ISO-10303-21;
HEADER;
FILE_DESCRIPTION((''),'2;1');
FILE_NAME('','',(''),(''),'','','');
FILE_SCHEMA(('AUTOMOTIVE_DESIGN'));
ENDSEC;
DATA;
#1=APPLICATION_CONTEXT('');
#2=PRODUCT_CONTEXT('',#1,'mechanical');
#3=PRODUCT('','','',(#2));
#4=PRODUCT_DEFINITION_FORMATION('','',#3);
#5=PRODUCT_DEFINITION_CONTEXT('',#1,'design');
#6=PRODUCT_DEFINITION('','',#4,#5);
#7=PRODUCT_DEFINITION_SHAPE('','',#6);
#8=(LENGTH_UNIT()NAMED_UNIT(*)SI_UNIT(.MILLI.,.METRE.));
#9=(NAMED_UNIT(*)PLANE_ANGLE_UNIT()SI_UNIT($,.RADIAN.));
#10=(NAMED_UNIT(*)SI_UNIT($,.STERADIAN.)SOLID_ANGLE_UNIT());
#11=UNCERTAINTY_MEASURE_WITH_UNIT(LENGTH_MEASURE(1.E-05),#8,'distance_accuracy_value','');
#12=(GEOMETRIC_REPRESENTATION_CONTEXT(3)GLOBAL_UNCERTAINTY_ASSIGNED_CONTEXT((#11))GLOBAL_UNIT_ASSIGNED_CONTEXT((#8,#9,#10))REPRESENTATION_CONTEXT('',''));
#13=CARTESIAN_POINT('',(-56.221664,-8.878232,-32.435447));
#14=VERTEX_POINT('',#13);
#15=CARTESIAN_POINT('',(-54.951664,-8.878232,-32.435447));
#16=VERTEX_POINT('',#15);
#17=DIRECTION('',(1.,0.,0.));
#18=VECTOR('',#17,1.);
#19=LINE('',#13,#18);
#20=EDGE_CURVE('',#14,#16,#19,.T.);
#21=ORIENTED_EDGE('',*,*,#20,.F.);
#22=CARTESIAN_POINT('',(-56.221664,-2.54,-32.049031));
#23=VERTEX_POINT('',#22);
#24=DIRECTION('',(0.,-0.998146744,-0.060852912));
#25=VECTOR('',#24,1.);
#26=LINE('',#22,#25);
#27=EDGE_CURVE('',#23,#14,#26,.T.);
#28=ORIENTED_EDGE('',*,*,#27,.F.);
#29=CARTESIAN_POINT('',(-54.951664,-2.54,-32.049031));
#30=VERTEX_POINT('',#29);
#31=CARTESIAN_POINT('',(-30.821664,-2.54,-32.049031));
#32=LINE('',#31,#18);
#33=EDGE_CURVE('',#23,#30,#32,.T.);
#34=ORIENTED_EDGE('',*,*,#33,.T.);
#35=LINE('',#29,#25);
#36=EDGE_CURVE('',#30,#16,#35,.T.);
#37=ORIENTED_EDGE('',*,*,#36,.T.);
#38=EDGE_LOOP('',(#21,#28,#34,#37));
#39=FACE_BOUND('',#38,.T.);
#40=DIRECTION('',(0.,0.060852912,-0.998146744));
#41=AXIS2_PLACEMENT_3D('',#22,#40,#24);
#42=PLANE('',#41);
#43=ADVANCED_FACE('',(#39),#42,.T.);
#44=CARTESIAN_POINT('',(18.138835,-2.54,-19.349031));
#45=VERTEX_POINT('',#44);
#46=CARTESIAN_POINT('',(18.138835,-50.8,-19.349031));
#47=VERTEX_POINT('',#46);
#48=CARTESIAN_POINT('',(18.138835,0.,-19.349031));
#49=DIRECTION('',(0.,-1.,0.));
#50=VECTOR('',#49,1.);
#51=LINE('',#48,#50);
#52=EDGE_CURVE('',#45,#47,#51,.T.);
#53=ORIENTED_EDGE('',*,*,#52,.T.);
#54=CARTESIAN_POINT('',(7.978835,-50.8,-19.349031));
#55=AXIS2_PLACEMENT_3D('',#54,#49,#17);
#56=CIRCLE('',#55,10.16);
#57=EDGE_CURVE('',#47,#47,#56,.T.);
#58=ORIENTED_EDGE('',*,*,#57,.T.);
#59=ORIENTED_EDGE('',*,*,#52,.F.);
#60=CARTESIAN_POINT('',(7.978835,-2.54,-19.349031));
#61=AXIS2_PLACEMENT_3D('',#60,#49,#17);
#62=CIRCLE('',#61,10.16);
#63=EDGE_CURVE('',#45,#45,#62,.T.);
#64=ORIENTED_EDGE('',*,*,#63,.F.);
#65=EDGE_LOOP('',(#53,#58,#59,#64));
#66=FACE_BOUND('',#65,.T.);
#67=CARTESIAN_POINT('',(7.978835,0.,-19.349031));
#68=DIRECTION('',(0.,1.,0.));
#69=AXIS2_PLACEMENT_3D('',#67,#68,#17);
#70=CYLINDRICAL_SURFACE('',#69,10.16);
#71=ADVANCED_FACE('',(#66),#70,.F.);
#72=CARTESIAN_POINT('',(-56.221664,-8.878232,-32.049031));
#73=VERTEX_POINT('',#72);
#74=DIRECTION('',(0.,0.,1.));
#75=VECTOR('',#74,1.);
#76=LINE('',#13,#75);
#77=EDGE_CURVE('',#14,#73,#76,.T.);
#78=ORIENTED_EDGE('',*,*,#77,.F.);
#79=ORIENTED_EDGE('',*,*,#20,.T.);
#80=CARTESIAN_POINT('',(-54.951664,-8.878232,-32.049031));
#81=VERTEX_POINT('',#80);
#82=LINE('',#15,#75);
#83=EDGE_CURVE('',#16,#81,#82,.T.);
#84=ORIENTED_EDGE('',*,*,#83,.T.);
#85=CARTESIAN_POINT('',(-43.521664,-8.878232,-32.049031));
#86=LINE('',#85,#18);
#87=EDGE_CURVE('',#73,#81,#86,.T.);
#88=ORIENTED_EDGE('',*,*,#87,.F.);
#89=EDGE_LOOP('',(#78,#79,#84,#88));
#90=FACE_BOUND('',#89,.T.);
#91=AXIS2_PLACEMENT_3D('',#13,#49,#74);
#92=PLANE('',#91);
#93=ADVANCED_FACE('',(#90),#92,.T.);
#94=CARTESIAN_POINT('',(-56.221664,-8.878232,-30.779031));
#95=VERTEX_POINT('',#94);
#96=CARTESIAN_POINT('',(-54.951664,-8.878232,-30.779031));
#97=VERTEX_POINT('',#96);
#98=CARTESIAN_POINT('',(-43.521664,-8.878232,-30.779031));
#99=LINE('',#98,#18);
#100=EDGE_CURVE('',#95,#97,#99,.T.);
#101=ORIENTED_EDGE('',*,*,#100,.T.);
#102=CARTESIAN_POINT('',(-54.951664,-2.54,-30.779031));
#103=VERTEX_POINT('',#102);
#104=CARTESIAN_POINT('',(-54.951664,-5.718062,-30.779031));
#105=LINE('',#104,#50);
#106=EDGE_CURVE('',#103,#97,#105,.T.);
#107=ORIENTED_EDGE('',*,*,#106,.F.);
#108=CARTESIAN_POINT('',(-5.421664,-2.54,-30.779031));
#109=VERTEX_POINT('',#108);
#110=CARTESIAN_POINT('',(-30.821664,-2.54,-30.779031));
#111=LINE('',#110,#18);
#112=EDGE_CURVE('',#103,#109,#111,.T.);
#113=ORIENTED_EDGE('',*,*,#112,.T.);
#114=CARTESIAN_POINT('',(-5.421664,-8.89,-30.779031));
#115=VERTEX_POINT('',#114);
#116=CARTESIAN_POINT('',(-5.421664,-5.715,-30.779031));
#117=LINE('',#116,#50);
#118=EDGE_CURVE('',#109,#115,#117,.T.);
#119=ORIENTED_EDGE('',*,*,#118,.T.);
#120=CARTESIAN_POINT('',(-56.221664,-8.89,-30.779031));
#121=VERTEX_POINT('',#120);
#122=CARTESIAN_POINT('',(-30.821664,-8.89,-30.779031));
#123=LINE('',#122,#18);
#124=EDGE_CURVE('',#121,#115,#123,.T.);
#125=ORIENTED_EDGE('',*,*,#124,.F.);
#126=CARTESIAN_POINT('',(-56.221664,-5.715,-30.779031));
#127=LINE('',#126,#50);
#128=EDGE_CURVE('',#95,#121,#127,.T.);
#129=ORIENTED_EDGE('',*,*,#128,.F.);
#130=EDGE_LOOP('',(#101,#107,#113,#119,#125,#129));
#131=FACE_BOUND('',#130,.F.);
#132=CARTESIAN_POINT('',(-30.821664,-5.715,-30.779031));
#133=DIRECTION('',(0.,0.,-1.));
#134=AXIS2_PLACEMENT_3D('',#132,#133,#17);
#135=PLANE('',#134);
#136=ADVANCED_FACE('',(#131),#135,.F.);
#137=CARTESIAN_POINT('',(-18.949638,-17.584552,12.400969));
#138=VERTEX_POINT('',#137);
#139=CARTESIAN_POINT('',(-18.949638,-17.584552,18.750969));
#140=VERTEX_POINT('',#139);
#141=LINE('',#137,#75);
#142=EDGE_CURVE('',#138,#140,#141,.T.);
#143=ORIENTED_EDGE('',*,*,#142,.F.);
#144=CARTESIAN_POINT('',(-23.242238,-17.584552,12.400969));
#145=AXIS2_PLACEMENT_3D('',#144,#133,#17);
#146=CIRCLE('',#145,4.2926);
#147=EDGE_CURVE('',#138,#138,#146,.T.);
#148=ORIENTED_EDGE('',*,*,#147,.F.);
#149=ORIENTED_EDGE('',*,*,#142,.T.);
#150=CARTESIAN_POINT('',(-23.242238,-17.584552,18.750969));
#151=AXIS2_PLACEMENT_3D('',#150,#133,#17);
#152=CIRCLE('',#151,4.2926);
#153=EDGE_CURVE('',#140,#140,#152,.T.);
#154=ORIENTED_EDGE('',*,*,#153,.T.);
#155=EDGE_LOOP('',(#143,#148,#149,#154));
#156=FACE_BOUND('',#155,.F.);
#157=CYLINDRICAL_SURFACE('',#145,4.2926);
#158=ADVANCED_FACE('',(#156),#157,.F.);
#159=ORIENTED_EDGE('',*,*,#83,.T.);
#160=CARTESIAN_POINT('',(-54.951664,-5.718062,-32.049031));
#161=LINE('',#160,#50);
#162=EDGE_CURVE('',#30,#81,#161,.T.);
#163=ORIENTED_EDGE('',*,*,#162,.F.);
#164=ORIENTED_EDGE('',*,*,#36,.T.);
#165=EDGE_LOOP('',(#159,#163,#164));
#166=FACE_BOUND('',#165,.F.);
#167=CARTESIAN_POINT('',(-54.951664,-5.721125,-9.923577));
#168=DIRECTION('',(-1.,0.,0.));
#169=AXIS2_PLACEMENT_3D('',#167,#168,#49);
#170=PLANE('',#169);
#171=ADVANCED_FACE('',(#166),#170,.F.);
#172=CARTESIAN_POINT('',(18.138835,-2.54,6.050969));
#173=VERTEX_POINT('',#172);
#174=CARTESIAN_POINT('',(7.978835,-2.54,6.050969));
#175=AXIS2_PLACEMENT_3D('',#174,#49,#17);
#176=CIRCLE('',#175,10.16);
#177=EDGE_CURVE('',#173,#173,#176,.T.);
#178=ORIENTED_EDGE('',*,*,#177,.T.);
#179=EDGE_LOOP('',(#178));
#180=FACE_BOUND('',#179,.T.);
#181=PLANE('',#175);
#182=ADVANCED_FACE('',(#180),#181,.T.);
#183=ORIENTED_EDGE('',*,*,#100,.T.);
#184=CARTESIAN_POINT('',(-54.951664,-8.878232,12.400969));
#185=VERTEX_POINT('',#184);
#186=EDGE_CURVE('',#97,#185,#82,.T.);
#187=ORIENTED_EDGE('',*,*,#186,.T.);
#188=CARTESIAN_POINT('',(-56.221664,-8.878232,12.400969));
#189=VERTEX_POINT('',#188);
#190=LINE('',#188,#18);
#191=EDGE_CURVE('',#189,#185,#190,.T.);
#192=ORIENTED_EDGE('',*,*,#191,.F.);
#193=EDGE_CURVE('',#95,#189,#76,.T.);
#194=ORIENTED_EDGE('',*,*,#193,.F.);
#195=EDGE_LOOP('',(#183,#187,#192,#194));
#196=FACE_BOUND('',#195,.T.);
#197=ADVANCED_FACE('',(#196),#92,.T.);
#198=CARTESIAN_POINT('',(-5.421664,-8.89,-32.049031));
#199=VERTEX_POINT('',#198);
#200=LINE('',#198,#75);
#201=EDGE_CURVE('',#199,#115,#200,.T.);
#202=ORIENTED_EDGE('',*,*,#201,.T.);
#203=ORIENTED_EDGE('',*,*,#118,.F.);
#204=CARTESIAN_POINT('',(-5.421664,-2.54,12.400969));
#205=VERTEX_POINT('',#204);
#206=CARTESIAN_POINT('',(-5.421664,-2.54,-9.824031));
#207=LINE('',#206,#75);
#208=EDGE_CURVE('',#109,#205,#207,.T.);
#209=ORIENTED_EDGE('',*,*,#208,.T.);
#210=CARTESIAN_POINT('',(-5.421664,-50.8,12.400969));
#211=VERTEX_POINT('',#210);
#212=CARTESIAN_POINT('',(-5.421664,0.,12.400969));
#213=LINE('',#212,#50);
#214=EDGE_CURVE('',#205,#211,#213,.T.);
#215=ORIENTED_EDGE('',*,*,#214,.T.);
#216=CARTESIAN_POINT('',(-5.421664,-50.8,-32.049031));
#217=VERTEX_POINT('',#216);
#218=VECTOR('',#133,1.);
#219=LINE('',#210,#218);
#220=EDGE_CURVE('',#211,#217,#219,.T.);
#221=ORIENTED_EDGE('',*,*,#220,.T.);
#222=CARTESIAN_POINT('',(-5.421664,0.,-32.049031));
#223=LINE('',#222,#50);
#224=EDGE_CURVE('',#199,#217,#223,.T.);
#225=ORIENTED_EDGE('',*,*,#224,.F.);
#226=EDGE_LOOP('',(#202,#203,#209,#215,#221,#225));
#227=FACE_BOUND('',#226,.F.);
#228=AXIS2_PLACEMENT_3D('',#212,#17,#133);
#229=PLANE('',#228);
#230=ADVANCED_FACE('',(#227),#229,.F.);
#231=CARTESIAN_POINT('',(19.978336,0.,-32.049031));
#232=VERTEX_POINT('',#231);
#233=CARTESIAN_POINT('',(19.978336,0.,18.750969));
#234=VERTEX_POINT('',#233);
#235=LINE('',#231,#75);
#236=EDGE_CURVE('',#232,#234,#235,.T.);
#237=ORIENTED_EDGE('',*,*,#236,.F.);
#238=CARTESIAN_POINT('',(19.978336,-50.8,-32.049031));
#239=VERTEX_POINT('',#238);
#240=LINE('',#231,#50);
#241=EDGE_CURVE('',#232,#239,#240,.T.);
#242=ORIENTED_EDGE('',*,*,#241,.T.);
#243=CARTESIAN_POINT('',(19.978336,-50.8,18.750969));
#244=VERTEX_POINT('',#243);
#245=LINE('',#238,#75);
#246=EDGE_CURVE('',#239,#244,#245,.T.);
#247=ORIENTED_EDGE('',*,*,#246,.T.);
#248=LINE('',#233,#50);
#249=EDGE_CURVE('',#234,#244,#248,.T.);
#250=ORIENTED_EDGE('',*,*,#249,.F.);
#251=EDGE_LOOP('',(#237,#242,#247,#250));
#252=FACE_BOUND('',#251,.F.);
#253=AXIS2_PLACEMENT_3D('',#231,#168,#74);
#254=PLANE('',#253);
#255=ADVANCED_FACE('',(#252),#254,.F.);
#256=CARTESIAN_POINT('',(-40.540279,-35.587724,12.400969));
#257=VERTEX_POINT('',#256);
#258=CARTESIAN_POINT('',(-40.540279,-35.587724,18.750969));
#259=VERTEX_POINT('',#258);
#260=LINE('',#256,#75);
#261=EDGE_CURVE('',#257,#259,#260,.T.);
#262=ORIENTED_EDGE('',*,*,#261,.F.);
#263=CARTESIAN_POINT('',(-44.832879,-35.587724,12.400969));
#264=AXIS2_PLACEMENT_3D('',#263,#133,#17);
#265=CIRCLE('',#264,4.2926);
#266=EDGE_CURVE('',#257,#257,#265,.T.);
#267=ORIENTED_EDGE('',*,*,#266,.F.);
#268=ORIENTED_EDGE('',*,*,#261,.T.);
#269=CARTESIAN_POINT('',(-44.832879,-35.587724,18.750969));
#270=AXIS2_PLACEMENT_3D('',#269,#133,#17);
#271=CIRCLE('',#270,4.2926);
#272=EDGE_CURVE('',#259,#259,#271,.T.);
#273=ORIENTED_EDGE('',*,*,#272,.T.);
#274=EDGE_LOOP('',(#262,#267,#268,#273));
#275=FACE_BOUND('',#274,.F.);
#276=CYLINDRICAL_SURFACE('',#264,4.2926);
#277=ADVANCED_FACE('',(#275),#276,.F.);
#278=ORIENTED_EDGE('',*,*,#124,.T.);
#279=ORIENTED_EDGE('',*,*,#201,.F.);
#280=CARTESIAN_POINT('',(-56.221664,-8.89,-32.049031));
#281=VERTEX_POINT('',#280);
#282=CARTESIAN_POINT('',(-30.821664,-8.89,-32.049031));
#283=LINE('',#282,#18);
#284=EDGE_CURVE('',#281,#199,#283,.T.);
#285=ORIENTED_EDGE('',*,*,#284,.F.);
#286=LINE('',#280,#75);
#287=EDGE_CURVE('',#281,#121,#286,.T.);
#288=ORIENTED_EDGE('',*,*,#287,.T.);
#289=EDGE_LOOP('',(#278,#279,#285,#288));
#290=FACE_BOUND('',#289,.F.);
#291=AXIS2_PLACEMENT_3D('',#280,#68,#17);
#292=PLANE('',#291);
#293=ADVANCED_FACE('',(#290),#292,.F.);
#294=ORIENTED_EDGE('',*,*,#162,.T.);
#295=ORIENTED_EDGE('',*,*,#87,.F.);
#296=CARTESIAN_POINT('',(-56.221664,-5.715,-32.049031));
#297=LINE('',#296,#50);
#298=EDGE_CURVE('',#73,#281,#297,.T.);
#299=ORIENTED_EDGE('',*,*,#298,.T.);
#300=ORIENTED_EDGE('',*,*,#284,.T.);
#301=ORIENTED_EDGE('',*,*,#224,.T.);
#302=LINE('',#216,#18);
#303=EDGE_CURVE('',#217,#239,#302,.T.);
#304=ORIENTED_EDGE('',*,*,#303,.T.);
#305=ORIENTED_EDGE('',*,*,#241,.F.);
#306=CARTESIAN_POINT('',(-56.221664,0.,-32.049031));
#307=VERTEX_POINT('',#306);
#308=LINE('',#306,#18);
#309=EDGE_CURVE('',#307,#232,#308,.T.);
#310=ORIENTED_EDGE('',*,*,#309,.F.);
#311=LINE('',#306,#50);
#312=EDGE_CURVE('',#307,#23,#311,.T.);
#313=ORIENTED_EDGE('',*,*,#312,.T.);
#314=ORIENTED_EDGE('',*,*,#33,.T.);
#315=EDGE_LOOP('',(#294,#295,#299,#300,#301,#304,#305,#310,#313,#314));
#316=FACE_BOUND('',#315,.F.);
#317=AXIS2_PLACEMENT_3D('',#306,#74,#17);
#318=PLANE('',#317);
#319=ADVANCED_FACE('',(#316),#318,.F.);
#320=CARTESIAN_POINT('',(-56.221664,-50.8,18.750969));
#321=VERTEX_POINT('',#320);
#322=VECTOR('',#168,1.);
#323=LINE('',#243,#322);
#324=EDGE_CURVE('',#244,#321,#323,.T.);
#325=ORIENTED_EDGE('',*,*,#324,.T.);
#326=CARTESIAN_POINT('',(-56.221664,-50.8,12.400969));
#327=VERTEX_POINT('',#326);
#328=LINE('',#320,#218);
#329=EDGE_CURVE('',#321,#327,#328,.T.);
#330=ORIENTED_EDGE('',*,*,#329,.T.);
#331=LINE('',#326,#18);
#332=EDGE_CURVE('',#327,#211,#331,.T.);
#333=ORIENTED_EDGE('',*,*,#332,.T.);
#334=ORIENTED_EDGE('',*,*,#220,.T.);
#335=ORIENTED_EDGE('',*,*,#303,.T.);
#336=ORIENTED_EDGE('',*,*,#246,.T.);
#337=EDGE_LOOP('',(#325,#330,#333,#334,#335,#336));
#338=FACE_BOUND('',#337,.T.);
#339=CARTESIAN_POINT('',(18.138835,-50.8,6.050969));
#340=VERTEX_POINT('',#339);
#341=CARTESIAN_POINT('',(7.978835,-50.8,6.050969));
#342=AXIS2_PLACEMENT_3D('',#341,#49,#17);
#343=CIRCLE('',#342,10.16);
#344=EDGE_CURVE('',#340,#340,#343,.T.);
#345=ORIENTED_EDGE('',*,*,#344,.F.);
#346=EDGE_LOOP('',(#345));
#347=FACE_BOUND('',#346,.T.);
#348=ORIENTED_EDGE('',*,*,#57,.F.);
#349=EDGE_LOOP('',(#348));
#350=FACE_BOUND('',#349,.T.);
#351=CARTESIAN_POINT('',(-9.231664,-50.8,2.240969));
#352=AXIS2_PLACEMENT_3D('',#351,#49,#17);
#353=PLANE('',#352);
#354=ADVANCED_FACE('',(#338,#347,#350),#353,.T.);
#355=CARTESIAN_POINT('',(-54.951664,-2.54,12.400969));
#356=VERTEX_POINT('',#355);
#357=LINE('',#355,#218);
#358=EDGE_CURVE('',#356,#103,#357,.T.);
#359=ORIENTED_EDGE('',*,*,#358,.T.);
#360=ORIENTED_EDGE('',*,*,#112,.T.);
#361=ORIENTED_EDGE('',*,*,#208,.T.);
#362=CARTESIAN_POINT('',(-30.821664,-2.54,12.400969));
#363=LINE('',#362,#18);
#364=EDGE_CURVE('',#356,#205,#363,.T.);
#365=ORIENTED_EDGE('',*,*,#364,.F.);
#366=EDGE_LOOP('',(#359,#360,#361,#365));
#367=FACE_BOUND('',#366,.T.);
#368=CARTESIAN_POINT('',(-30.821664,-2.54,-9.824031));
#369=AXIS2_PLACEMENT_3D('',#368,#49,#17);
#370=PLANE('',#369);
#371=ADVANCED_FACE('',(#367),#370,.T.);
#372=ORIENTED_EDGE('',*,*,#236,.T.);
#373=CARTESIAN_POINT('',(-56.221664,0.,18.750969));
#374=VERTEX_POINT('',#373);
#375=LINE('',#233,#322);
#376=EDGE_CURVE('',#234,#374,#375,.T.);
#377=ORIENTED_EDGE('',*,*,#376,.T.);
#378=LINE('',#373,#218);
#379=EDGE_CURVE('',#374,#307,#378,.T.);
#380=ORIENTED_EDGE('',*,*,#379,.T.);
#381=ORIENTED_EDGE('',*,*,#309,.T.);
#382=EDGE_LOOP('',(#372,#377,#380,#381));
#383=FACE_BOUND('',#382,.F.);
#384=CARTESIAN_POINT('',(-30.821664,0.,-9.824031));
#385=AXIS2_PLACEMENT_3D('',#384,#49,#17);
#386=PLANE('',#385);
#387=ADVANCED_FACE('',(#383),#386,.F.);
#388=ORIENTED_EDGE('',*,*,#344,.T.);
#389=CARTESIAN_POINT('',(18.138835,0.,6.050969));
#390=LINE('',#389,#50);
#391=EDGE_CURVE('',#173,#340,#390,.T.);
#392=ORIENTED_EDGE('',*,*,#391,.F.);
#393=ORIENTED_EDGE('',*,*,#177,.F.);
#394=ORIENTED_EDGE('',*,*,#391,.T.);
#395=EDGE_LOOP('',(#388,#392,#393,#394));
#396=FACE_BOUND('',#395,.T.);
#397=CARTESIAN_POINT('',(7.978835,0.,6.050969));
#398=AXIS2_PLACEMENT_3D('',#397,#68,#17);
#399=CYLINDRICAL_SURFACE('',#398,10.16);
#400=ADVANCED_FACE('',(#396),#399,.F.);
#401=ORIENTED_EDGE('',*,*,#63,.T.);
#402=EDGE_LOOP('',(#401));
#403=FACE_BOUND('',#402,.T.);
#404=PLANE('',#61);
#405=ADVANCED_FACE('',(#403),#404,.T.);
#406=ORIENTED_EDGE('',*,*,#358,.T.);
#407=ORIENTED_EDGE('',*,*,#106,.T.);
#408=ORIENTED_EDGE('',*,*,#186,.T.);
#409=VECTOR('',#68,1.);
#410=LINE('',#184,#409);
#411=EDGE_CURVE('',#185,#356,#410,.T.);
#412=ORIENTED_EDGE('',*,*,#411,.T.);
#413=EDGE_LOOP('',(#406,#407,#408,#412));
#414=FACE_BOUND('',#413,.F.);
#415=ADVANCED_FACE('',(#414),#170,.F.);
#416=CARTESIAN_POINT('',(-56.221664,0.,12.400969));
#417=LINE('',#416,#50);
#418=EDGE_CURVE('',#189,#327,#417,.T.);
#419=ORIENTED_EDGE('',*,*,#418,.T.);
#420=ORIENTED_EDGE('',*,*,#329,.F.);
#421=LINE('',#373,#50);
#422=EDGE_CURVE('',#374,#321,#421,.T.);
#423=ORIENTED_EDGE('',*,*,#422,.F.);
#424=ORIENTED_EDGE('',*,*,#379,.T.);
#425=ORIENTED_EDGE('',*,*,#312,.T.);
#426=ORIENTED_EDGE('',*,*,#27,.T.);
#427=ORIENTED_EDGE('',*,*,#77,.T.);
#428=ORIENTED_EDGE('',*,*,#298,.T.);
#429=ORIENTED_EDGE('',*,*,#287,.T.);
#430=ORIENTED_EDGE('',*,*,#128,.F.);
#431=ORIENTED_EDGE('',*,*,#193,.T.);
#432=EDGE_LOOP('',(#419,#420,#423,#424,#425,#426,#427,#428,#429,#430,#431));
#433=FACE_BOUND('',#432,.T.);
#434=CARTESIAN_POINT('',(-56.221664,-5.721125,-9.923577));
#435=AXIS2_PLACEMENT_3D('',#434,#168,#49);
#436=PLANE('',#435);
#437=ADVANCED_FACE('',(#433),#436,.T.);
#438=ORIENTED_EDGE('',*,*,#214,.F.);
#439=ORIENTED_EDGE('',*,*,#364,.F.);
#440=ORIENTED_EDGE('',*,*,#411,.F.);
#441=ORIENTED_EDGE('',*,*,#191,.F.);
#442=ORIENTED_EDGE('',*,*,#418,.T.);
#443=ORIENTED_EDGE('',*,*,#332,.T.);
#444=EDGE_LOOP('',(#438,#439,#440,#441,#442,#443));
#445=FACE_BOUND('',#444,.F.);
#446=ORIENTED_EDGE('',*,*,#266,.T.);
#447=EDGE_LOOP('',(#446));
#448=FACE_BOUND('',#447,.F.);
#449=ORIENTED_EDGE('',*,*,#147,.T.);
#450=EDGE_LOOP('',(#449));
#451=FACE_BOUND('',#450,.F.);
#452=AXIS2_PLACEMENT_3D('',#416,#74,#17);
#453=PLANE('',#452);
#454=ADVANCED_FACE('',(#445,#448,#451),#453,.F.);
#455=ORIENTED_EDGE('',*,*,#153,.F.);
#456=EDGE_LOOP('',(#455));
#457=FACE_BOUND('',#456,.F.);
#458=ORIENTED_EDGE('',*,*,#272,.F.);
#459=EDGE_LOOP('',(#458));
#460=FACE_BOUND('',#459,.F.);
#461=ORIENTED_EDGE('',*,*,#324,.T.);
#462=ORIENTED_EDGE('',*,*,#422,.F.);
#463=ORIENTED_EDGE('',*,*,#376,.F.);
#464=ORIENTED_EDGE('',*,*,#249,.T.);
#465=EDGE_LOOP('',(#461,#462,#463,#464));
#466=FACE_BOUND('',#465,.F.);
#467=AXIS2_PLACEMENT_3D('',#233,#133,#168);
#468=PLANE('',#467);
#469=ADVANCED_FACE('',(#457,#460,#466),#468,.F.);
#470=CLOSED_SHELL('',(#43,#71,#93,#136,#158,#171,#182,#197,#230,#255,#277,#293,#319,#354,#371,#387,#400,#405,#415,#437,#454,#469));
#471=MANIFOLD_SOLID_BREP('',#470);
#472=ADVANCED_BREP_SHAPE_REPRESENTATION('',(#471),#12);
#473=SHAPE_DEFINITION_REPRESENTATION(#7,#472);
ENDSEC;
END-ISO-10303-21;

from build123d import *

# Parameters (mm, degrees)
F0_R     = 10.16
F1_DEPTH = 50.8
F0_W     = 50.8
F0_H     = 44.45
F2_DEPTH = 2.54
F5_DEPTH = 1.27
F3_W     = 50.8
F3_H     = 6.35
F6_DEPTH = 1.27
F7_R     = 4.2926
F8_DEPTH = 6.351


with BuildPart() as f1:
    # F0 (on Front) → F1 (new body)
    with BuildSketch(Plane.XZ):
        Polygon((19.978336, 18.750969), (-56.221664, 18.750969), (-56.221664, 12.400969), (-5.421664, 12.400969), (-5.421664, -32.049031), (19.978336, -32.049031), align=None)
        with Locations((7.978835, -19.349031)):
            Circle(F0_R, mode=Mode.SUBTRACT)
        with Locations((7.978835, 6.050969)):
            Circle(F0_R, mode=Mode.SUBTRACT)
    extrude(amount=F1_DEPTH)

    # F0 (on Front) → F2 (join)
    with BuildSketch(Plane.XZ):
        with Locations((-30.821664, -9.824031)):
            Rectangle(F0_W, F0_H)
        with Locations((7.978835, -19.349031)):
            Circle(F0_R)
        with Locations((7.978835, 6.050969)):
            Circle(F0_R)
    extrude(amount=F2_DEPTH)

    # F4 (on face) → F5 (join)
    with BuildSketch(Plane(origin=(-56.221664, 0, 0), x_dir=(0, -1, 0), z_dir=(-1, 0, 0))):
        Polygon((8.878232, 12.400969), (2.54, 12.400969), (2.54, -32.049031), (8.878232, -32.435447), align=None)
    extrude(amount=-F5_DEPTH)

    # F3 (on face) → F6 (join)
    with BuildSketch(Plane(origin=(0, 0, -32.049031), x_dir=(1, 0, 0), z_dir=(0, 0, -1))):
        with Locations((-30.821664, 5.715)):
            Rectangle(F3_W, F3_H)
    extrude(amount=-F6_DEPTH)

    # F7 (on face) → F8 (cut, through all)
    with BuildSketch(Plane(origin=(0, 0, 12.400969), x_dir=(1, 0, 0), z_dir=(0, 0, -1))):
        with Locations((-44.832879, 35.587724)):
            Circle(F7_R)
        with Locations((-23.242238, 17.584552)):
            Circle(F7_R)
    extrude(amount=-F8_DEPTH, mode=Mode.SUBTRACT)


solid = f1.part
